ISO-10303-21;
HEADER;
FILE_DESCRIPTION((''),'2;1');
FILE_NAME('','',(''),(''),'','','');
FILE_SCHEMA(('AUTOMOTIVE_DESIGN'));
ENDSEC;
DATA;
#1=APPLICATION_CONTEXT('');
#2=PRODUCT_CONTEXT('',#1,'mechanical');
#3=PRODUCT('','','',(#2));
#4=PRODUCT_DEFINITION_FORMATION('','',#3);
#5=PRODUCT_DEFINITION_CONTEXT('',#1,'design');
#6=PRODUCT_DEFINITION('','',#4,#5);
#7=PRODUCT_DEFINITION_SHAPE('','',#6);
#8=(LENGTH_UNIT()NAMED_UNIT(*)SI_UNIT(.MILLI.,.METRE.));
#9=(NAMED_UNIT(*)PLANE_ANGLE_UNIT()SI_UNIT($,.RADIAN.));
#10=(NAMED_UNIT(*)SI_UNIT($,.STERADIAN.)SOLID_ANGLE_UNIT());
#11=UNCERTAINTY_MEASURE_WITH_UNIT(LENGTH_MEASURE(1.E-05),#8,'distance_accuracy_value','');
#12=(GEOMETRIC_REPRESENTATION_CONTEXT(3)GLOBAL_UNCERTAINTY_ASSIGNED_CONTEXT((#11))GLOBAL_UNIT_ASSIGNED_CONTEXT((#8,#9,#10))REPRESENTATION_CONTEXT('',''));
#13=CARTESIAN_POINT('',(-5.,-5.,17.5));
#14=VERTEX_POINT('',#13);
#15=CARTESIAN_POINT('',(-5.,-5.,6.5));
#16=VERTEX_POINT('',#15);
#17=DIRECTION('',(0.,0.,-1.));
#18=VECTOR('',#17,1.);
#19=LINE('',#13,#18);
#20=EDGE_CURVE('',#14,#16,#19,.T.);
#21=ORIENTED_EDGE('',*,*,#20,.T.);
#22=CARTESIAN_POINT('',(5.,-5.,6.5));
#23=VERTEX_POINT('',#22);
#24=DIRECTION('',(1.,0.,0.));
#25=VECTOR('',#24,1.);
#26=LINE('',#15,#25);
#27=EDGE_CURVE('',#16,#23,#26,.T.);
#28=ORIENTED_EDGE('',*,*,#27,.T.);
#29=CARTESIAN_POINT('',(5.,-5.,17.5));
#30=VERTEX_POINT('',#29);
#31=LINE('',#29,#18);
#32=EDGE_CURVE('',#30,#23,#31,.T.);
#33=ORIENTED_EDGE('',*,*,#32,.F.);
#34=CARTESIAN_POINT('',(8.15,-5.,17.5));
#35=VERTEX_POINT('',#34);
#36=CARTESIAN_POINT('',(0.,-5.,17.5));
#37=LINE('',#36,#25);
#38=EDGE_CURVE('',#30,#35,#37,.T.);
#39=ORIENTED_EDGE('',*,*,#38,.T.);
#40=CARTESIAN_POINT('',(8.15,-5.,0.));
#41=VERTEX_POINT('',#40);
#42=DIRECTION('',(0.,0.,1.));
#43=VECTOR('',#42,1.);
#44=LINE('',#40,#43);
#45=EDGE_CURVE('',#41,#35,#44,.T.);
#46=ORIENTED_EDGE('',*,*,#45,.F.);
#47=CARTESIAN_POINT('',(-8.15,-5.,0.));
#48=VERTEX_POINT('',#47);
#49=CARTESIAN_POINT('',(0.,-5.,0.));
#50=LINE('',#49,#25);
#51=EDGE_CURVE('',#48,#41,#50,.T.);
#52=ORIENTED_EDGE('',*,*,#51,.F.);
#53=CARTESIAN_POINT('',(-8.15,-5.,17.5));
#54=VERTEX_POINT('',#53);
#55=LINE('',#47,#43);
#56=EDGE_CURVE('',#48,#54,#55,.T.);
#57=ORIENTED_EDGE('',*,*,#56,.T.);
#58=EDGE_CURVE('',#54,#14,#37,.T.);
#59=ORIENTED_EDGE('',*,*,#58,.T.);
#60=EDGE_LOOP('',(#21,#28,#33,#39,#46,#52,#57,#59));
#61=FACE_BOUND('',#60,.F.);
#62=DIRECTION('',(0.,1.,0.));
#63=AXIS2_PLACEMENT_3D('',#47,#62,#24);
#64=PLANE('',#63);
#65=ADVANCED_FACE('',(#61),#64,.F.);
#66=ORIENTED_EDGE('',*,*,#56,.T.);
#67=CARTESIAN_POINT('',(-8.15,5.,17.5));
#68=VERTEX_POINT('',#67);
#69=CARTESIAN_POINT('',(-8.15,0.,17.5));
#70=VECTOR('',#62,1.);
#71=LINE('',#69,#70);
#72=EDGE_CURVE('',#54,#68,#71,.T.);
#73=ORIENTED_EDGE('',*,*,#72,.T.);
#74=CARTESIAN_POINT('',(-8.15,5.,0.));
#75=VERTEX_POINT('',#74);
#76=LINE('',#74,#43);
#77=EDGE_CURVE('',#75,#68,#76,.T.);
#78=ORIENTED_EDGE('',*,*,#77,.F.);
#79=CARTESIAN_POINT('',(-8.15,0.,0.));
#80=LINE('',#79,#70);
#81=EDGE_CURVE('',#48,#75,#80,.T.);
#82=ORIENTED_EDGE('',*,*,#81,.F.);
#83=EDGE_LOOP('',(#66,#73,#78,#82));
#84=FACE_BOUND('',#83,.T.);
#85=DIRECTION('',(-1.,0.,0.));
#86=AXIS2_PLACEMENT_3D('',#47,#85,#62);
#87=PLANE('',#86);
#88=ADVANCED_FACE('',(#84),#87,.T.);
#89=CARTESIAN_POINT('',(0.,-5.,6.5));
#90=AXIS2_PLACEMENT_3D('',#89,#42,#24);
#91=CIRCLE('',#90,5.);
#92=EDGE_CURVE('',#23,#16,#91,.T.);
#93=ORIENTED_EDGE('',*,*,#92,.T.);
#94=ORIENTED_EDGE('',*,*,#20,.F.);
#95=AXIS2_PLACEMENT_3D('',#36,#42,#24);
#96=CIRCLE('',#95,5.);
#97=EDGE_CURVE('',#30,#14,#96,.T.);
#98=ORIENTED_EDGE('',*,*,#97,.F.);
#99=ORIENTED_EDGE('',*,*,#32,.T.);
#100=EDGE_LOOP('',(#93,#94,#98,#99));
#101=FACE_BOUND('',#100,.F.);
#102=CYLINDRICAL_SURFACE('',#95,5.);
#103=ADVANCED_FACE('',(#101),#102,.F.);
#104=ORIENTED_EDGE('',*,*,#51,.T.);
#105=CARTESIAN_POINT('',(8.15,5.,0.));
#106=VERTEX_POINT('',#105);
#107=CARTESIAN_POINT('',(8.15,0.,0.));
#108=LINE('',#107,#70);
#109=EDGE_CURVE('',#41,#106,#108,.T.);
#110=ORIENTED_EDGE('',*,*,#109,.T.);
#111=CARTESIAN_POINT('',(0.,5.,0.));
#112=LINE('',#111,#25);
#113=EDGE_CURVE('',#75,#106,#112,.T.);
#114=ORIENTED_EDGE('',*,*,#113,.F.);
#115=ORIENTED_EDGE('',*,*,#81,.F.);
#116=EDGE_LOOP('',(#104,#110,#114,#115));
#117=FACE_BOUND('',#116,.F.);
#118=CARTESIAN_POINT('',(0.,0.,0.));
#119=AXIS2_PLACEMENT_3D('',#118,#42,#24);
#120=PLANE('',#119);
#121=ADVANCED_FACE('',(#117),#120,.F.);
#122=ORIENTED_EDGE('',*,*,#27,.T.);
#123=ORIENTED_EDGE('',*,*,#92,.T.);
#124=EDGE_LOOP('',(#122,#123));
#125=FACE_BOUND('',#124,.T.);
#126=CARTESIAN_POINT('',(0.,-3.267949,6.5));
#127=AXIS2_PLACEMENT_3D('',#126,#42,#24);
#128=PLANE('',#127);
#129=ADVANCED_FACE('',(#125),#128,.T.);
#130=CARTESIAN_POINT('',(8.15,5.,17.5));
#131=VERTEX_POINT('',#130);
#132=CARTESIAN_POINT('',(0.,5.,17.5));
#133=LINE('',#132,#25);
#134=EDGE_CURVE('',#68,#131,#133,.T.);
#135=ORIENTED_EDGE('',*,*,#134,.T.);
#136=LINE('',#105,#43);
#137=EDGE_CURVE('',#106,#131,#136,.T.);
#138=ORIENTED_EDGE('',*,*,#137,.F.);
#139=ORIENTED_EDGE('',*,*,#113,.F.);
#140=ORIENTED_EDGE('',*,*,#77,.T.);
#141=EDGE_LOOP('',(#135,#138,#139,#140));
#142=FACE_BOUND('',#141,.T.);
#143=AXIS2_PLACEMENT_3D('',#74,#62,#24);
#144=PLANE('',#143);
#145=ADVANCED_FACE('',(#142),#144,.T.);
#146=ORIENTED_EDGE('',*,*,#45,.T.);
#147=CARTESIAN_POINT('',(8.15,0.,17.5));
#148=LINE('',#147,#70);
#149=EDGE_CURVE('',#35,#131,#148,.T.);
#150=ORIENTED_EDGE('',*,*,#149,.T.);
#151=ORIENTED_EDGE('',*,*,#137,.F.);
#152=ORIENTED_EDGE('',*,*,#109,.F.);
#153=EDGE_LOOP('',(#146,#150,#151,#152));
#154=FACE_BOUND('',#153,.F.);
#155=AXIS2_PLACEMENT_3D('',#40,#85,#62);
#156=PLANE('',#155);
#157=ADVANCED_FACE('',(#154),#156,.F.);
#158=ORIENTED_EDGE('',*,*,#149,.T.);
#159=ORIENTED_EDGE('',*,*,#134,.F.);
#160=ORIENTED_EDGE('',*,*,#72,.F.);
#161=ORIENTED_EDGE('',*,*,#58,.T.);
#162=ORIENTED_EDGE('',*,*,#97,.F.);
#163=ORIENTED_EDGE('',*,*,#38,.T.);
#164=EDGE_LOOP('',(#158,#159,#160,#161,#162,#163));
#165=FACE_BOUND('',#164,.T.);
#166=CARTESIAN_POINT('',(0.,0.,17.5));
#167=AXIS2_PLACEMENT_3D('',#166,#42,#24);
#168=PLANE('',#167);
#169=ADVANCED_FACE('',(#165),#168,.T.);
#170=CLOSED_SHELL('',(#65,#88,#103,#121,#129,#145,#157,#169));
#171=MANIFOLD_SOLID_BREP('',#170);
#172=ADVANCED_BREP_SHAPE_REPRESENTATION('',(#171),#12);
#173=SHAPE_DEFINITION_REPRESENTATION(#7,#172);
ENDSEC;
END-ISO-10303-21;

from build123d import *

# Parameters (mm, degrees)
F0_W     = 16.3
F0_H     = 10
F1_DEPTH = 17.5
F3_DEPTH = 11


with BuildPart() as f1:
    # F0 (on Top) → F1 (new body)
    with BuildSketch(Plane.XY):
        Rectangle(F0_W, F0_H)
    extrude(amount=F1_DEPTH)

    # F2 (on face) → F3 (cut)
    with BuildSketch(Plane.XY.offset(17.5)):
        with BuildLine():
            Line((-5, -5), (5, -5))
            ThreePointArc((5, -5), (0, 0), (-5, -5))
        make_face()
    extrude(amount=-F3_DEPTH, mode=Mode.SUBTRACT)


solid = f1.part
